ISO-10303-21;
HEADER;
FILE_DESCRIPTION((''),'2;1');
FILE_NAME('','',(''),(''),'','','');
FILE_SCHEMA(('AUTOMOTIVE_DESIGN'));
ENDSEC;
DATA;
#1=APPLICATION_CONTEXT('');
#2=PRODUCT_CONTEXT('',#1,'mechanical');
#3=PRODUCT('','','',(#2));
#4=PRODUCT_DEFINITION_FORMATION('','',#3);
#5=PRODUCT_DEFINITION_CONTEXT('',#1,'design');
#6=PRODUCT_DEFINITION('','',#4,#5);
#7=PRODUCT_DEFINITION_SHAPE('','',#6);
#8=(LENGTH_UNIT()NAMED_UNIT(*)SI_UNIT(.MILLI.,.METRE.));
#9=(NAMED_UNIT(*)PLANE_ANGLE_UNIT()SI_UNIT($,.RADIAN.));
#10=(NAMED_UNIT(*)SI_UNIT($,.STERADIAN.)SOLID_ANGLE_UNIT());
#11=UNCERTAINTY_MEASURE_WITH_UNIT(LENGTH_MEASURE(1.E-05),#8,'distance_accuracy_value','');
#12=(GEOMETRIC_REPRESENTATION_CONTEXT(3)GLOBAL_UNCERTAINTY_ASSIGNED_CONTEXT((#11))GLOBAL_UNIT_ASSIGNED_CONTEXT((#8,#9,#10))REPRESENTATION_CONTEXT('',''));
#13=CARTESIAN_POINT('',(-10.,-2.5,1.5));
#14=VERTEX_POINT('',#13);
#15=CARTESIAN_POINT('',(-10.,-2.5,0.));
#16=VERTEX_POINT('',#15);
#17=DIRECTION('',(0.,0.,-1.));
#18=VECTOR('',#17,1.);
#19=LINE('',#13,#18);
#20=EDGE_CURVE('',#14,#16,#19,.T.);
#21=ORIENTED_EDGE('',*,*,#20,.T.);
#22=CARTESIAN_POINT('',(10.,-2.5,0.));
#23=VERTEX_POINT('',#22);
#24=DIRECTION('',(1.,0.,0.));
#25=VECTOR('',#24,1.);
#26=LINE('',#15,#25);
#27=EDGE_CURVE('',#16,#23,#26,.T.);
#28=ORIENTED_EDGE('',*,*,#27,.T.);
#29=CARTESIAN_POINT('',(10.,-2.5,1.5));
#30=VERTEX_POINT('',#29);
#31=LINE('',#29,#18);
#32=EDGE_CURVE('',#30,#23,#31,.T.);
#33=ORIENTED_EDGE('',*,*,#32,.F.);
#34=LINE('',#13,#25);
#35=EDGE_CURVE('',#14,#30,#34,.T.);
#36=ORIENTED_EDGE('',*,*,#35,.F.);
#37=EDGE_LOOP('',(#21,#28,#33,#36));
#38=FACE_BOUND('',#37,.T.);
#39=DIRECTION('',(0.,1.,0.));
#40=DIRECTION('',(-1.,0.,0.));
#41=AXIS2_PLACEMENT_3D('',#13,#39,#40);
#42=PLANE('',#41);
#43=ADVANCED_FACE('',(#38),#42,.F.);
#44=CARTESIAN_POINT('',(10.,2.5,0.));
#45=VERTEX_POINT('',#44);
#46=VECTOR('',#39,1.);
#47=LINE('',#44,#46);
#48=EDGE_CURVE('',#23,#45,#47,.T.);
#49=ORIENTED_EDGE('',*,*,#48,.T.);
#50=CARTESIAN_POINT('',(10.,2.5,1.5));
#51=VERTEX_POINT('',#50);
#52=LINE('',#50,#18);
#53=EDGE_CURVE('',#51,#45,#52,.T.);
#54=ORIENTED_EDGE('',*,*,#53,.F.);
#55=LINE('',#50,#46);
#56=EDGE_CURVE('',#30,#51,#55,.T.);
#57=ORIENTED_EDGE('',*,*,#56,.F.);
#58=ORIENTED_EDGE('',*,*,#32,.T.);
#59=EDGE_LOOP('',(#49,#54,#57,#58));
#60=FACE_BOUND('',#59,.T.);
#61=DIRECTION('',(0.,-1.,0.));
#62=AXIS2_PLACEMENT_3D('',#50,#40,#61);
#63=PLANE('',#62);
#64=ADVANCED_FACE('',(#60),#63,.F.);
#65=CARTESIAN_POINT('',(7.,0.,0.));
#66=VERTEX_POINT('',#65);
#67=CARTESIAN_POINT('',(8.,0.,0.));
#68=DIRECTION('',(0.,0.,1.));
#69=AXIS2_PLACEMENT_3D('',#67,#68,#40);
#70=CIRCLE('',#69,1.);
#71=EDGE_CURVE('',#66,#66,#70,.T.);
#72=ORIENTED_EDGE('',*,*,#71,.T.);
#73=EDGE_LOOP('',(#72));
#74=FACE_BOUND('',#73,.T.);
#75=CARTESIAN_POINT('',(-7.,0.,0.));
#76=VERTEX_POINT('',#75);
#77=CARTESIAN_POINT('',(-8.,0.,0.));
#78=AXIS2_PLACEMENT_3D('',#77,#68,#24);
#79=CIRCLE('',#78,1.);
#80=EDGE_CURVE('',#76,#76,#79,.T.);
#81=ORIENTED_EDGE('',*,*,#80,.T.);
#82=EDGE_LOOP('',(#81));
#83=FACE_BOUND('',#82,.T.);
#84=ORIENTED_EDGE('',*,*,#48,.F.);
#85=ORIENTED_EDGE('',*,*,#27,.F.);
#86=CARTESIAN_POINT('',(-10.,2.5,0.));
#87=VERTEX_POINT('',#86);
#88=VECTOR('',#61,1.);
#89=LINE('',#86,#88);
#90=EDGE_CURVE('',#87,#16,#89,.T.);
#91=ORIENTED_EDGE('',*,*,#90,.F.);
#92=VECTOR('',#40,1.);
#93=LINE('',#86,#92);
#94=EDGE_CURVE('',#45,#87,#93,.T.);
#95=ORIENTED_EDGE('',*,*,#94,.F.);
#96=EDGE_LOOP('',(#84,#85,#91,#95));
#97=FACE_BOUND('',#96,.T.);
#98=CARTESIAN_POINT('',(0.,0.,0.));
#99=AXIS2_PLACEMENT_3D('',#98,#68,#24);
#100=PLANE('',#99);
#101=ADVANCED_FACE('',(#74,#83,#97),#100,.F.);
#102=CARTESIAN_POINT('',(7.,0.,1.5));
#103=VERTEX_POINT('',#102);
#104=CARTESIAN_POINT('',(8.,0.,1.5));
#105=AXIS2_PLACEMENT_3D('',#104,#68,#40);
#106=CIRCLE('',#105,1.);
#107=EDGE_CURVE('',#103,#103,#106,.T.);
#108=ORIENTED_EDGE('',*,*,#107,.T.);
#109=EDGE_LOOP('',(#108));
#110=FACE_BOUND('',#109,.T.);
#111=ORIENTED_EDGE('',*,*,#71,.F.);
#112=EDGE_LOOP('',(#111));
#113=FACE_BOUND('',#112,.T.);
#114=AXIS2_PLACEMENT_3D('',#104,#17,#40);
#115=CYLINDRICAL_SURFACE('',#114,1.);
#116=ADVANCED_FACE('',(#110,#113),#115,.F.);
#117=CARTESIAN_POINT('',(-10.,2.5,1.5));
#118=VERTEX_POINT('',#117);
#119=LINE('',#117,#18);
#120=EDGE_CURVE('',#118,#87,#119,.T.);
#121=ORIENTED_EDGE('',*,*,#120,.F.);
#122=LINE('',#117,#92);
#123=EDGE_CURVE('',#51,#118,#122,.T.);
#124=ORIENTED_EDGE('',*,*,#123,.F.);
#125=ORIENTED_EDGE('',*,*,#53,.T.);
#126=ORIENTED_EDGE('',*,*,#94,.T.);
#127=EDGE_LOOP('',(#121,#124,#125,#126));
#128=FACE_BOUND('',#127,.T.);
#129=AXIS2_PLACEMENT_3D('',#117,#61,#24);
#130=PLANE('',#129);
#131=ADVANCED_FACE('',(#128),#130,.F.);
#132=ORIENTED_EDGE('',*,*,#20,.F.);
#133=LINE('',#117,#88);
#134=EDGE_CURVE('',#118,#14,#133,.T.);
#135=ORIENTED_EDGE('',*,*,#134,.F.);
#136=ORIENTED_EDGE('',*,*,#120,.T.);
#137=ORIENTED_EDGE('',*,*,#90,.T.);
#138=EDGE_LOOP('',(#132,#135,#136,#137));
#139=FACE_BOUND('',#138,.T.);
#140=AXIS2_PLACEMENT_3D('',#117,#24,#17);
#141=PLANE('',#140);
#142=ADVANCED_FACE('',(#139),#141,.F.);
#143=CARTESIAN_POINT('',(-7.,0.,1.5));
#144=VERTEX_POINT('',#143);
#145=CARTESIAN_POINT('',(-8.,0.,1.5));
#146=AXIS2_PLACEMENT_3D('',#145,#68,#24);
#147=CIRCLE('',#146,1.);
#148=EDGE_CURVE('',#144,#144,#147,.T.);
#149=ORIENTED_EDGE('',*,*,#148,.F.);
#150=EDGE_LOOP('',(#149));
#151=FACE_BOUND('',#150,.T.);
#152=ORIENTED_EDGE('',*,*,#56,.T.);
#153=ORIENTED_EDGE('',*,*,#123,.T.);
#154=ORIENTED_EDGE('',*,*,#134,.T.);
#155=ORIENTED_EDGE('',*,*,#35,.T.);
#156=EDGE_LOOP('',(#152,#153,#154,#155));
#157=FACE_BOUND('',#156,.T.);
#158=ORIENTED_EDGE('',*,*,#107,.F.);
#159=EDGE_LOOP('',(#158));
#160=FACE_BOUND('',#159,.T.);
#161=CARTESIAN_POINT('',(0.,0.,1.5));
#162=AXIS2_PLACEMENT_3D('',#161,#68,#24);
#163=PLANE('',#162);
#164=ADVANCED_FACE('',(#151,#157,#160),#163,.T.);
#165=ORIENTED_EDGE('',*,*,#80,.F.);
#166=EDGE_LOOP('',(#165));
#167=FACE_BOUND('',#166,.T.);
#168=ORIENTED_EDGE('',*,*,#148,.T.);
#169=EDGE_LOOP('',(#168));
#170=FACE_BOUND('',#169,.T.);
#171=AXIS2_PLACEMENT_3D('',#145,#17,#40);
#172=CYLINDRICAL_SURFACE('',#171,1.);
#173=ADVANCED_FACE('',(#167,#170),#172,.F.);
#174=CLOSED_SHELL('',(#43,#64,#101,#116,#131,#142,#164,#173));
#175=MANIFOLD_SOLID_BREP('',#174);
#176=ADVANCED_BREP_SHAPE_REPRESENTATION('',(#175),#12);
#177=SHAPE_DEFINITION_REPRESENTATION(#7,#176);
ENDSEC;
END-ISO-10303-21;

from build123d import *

# Parameters (mm, degrees)
SKETCH1_W           = 20
SKETCH1_H           = 5
SKETCH1_R           = 1
BOSS_EXTRUDE1_DEPTH = 1.5


with BuildPart() as part:
    # Sketch1 → Boss-Extrude1 (new body)
    with BuildSketch(Plane.XY):
        Rectangle(SKETCH1_W, SKETCH1_H)
        with Locations((-8, 0)):
            Circle(SKETCH1_R, mode=Mode.SUBTRACT)
        with Locations((8, 0)):
            Circle(SKETCH1_R, mode=Mode.SUBTRACT)
    extrude(amount=BOSS_EXTRUDE1_DEPTH)


solid = part.part
